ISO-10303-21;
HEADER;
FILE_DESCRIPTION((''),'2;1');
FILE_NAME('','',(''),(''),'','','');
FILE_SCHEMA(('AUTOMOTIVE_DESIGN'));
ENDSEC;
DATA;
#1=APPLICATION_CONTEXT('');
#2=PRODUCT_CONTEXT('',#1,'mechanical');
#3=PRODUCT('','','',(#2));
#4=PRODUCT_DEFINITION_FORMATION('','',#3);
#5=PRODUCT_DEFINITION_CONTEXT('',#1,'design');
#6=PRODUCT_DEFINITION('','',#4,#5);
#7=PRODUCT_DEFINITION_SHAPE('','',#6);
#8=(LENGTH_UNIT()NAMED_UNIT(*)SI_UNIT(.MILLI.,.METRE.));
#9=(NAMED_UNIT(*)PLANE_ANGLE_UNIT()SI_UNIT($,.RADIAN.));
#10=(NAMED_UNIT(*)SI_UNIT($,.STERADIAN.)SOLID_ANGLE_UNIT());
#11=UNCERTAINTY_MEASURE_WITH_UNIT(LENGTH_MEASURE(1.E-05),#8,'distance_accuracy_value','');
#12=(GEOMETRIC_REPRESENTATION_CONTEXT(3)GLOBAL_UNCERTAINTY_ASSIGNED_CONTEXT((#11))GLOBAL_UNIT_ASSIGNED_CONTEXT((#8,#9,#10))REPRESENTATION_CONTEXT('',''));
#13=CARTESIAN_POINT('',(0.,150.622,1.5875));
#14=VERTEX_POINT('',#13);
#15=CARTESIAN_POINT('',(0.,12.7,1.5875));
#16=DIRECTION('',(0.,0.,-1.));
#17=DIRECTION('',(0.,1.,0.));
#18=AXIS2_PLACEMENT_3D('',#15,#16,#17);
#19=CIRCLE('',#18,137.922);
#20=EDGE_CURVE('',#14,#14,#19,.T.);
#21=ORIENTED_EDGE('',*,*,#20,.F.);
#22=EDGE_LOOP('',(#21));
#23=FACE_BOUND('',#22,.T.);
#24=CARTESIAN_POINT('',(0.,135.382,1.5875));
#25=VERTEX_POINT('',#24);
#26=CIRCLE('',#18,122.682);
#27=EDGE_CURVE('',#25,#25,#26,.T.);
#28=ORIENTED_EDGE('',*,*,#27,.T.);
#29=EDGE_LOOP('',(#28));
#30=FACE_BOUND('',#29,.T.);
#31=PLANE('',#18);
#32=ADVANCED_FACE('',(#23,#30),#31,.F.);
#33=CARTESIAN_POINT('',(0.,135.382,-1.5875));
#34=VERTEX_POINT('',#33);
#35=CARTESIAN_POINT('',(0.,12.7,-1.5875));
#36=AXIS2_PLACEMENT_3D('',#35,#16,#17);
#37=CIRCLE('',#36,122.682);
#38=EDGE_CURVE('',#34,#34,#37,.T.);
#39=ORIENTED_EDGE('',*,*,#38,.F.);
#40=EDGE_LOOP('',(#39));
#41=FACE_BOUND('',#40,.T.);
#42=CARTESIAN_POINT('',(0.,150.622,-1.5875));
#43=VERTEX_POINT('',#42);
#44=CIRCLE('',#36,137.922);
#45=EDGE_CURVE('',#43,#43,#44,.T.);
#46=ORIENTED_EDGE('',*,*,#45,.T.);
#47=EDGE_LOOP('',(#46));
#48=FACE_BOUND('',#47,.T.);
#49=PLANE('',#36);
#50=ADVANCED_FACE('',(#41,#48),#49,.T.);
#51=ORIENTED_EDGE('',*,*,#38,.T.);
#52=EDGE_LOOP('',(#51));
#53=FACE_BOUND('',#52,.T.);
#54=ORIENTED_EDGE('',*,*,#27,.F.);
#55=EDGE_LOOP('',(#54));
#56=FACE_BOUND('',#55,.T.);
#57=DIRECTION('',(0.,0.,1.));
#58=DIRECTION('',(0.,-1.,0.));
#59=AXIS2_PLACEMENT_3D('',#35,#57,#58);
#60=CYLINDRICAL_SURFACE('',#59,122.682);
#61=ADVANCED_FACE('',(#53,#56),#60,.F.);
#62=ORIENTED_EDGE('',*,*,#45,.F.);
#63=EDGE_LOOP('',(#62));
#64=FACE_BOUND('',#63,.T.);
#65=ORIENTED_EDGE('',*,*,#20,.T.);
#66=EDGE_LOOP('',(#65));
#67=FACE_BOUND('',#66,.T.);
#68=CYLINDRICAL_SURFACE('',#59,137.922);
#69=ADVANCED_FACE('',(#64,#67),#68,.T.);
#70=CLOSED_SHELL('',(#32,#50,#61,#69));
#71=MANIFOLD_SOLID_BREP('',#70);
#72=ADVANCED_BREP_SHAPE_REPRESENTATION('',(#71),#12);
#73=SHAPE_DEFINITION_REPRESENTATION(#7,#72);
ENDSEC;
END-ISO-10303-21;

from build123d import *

# Parameters (mm, degrees)
SKETCH2_R           = 137.922
SKETCH2_R_2         = 122.682
BOSS_EXTRUDE2_DEPTH = 1.5875


with BuildPart() as part:
    # Sketch2 → Boss-Extrude2 (new, symmetric)
    with BuildSketch(Plane(origin=(248.273568551, -245.01347209, 0), x_dir=(0, -1, 0), z_dir=(0, 0, -1))):
        with Locations(Location((-257.71347209, 248.273568551, 0), (0, 0, 180))):
            Circle(SKETCH2_R)
        with Locations(Location((-257.71347209, 248.273568551, 0), (0, 0, 180))):
            Circle(SKETCH2_R_2, mode=Mode.SUBTRACT)
    extrude(amount=BOSS_EXTRUDE2_DEPTH, both=True)


solid = part.part
